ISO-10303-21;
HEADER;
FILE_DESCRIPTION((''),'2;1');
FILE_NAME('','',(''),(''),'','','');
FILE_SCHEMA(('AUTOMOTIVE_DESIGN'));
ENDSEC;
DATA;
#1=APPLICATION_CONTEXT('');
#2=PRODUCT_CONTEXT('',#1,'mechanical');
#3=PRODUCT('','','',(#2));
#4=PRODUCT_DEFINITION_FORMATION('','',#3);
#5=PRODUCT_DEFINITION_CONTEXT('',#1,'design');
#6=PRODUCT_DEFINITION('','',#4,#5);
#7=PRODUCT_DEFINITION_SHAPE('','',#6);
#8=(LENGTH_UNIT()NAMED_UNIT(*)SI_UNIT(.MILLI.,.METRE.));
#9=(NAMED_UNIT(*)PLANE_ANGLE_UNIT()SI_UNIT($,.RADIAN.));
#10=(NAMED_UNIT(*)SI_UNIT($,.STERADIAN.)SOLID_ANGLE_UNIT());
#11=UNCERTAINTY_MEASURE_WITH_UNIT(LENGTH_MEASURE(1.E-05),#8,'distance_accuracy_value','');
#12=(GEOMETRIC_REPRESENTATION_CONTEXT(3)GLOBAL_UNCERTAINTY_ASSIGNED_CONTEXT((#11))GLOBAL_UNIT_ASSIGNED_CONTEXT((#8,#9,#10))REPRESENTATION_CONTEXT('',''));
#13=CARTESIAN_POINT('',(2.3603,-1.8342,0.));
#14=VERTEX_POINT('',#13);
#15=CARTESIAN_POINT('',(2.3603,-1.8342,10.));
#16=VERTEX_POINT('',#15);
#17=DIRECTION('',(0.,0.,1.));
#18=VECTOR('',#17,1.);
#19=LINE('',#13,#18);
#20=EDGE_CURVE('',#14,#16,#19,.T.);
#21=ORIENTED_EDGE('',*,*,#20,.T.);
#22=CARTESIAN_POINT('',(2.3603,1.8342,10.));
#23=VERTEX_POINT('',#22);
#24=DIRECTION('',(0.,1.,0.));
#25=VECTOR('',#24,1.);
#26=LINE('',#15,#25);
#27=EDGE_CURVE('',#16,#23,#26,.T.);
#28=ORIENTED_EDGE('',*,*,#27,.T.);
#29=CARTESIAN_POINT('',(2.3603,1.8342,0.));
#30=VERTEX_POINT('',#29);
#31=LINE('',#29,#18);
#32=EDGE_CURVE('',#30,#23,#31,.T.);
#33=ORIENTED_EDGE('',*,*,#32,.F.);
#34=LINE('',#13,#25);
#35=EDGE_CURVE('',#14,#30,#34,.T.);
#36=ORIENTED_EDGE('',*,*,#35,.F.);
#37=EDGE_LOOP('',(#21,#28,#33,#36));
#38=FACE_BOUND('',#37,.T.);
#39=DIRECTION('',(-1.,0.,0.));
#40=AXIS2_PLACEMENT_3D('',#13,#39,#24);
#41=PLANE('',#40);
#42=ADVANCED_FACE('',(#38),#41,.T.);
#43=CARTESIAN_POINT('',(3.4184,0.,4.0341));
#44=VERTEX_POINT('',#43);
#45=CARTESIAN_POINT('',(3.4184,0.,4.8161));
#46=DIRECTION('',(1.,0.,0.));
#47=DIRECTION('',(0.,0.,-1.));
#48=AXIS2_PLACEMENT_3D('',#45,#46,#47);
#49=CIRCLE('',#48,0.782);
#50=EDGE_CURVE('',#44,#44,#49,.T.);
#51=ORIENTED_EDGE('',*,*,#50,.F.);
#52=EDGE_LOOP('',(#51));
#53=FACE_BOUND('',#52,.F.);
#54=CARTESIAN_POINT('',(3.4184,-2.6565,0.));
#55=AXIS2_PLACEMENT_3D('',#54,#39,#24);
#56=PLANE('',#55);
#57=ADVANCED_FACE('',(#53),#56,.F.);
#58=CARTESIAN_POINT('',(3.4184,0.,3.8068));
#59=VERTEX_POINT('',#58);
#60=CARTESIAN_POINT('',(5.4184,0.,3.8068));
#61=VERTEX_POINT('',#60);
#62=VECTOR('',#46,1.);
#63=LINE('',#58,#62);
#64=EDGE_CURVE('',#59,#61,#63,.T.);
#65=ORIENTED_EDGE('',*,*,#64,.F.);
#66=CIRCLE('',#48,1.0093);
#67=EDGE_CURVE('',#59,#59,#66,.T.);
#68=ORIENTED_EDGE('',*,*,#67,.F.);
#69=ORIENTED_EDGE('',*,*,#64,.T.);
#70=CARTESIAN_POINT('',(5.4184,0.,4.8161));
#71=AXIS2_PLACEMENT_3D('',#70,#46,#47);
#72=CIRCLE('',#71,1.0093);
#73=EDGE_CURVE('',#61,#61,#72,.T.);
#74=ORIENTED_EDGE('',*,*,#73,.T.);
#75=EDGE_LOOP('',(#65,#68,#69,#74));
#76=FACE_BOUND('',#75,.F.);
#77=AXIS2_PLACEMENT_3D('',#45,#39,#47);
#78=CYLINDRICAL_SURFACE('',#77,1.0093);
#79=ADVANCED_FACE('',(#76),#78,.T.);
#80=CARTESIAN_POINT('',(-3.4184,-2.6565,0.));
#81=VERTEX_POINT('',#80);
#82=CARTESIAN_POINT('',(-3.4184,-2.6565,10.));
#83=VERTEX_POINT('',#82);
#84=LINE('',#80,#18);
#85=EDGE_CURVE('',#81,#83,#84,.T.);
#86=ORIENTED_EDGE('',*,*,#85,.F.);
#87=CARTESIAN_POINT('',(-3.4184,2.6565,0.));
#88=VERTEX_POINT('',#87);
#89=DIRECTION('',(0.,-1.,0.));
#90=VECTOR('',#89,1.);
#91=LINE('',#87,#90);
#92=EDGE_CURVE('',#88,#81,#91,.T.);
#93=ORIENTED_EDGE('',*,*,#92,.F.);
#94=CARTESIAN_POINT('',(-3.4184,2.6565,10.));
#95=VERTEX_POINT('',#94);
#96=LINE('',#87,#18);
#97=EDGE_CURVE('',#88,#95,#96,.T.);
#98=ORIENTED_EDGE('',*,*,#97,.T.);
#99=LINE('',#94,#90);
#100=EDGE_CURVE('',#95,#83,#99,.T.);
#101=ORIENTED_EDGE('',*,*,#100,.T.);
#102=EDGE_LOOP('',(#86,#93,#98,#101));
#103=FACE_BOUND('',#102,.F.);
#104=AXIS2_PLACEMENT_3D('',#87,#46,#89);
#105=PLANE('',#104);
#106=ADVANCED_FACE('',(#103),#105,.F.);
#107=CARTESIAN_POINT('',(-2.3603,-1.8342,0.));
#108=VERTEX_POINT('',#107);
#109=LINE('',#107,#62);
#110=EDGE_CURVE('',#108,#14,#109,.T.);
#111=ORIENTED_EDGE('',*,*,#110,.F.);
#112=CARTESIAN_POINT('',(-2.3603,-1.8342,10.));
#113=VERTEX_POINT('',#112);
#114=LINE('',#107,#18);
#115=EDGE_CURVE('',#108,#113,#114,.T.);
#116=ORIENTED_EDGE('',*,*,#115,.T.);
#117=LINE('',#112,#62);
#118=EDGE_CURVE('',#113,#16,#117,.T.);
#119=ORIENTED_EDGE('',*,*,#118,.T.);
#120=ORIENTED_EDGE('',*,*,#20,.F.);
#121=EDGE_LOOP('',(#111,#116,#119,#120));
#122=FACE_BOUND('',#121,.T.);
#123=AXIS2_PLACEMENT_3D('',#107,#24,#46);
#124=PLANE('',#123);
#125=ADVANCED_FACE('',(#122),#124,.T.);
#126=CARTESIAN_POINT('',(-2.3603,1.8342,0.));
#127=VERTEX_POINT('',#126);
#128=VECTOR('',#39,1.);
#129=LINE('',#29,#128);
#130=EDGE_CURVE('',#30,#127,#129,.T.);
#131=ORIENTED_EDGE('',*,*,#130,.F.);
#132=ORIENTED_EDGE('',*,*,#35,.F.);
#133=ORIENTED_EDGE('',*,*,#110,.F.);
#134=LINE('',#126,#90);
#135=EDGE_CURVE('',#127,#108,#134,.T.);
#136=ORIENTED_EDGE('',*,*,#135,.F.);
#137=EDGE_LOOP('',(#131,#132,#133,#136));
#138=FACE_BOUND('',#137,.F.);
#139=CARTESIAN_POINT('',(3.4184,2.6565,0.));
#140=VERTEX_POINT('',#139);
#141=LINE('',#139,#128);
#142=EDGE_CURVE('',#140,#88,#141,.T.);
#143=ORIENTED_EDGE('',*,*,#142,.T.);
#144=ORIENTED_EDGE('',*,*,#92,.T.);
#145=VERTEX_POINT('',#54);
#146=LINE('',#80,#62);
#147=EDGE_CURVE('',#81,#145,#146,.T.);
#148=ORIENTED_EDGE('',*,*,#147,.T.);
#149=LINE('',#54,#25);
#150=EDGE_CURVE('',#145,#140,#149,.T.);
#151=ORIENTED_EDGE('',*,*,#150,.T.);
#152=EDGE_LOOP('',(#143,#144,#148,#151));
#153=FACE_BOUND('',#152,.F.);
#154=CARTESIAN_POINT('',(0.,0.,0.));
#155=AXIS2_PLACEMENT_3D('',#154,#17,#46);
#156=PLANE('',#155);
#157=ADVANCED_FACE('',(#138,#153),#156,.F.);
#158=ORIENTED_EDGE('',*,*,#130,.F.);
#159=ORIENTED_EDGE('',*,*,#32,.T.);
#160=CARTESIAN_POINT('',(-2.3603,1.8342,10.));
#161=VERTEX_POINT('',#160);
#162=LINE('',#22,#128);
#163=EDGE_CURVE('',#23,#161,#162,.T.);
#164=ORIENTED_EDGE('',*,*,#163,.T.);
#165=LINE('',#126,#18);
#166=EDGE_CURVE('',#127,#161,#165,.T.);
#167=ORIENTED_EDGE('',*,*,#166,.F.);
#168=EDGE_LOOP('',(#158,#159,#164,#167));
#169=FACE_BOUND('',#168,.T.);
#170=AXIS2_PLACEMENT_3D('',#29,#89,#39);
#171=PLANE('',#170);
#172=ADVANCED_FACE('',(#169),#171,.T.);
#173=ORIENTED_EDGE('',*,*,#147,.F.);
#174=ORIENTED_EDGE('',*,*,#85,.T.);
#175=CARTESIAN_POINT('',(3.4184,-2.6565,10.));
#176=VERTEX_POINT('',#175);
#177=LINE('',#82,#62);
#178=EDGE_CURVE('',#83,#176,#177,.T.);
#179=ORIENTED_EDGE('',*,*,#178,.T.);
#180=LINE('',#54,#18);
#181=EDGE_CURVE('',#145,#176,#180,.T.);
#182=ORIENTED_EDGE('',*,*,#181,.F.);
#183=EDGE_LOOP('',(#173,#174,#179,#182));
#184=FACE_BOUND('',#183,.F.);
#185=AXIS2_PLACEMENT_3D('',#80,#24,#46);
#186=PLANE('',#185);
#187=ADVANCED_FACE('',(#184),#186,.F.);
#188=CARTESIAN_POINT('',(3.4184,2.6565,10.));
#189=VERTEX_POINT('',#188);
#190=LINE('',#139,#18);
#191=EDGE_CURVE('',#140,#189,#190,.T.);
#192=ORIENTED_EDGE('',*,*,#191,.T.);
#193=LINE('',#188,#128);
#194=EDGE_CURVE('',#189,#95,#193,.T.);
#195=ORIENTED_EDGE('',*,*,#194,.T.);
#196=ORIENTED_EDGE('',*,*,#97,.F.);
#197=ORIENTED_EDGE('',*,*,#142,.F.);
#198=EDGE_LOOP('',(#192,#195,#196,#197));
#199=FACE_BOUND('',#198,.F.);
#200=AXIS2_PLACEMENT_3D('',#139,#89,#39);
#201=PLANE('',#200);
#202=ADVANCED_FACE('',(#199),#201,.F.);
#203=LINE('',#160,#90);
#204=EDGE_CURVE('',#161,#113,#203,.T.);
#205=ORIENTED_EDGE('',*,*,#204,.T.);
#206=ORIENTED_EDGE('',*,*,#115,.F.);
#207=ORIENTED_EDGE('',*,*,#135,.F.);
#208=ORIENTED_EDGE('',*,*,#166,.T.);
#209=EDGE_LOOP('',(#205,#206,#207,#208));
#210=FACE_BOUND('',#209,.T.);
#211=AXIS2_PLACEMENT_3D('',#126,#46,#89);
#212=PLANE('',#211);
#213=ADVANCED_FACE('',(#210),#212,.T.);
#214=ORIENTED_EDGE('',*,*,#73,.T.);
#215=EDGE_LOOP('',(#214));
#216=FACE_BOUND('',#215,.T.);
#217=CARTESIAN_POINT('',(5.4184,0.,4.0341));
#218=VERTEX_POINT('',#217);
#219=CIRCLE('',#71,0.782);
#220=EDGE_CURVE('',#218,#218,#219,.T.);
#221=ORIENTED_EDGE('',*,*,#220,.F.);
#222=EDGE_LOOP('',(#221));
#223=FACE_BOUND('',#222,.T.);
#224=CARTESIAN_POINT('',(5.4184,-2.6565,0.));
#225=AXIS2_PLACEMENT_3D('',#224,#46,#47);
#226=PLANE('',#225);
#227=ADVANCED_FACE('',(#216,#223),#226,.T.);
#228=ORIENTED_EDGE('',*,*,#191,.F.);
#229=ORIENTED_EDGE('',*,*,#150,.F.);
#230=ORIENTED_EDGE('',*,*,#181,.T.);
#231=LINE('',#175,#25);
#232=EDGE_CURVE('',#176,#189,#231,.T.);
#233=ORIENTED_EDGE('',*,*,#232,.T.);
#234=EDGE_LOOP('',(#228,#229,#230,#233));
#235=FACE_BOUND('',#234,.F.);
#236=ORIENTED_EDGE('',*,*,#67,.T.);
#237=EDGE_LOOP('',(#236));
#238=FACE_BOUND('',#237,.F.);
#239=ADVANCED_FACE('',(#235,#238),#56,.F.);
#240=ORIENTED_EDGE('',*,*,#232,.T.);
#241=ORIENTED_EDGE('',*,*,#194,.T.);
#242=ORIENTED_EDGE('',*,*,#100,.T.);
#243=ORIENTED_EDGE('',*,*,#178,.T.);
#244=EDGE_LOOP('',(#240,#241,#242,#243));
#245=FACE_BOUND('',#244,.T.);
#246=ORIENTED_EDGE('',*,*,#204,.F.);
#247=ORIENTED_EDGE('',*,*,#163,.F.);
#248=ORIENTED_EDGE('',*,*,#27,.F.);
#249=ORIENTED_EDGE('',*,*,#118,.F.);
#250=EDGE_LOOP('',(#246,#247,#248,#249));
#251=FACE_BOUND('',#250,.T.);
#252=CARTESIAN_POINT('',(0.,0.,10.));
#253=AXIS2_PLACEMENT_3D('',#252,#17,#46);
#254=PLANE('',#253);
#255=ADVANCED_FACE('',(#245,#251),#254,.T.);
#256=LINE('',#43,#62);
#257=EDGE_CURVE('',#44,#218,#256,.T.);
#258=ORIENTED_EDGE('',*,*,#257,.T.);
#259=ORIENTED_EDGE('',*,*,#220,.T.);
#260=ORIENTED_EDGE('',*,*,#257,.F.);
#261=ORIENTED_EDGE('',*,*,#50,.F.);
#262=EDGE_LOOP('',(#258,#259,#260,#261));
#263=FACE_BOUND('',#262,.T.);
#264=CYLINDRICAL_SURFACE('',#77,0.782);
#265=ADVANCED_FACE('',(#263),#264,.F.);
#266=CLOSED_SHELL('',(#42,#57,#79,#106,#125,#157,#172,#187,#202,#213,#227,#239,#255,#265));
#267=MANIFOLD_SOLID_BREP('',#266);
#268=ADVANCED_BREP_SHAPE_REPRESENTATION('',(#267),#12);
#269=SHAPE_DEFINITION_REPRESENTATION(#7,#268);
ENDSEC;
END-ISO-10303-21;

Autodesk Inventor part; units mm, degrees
ref_plane "YZ Plane" through (0, 0, 0) normal (1, 0, 0) x (0, 1, 0)
ref_plane "XZ Plane" through (0, 0, 0) normal (0, 1, 0) x (-1, 0, 0)
ref_plane "XY Plane" through (0, 0, 0) normal (0, 0, 1) x (1, 0, 0)
sketch "Sketch1" plane through (0, 0, 0) normal (0, 0, 1) x (1, 0, 0)
  line L0 (-3.4184, -2.6565) -> (3.4184, -2.6565)
  line L1 (3.4184, -2.6565) -> (3.4184, 2.6565)
  line L2 (3.4184, 2.6565) -> (-3.4184, 2.6565)
  line L3 (-3.4184, 2.6565) -> (-3.4184, -2.6565)
  line L4 (-3.4184, -2.6565) -> (3.4184, 2.6565) construction
  line L5 (3.4184, -2.6565) -> (-3.4184, 2.6565) construction
  line L6 (-2.3603, -1.8342) -> (2.3603, -1.8342)
  line L7 (2.3603, -1.8342) -> (2.3603, 1.8342)
  line L8 (2.3603, 1.8342) -> (-2.3603, 1.8342)
  line L9 (-2.3603, 1.8342) -> (-2.3603, -1.8342)
  line L10 (-2.3603, -1.8342) -> (2.3603, 1.8342) construction
  line L11 (2.3603, -1.8342) -> (-2.3603, 1.8342) construction
  point P0 (0, 0)
extrude "Extrusion1" add sketch "Sketch1" along normal blind 10
sketch "Sketch2" plane through (3.4184, -2.6565, 0) normal (1, 0, 0) x (0, 0, -1)
  circle A0 centre (-4.8161, 2.6565) radius 1.0093
  circle A1 centre (-4.8161, 2.6565) radius 0.782
  point P0 (0, 2.6565)
extrude "Extrusion2" add sketch "Sketch2" along normal blind 2
